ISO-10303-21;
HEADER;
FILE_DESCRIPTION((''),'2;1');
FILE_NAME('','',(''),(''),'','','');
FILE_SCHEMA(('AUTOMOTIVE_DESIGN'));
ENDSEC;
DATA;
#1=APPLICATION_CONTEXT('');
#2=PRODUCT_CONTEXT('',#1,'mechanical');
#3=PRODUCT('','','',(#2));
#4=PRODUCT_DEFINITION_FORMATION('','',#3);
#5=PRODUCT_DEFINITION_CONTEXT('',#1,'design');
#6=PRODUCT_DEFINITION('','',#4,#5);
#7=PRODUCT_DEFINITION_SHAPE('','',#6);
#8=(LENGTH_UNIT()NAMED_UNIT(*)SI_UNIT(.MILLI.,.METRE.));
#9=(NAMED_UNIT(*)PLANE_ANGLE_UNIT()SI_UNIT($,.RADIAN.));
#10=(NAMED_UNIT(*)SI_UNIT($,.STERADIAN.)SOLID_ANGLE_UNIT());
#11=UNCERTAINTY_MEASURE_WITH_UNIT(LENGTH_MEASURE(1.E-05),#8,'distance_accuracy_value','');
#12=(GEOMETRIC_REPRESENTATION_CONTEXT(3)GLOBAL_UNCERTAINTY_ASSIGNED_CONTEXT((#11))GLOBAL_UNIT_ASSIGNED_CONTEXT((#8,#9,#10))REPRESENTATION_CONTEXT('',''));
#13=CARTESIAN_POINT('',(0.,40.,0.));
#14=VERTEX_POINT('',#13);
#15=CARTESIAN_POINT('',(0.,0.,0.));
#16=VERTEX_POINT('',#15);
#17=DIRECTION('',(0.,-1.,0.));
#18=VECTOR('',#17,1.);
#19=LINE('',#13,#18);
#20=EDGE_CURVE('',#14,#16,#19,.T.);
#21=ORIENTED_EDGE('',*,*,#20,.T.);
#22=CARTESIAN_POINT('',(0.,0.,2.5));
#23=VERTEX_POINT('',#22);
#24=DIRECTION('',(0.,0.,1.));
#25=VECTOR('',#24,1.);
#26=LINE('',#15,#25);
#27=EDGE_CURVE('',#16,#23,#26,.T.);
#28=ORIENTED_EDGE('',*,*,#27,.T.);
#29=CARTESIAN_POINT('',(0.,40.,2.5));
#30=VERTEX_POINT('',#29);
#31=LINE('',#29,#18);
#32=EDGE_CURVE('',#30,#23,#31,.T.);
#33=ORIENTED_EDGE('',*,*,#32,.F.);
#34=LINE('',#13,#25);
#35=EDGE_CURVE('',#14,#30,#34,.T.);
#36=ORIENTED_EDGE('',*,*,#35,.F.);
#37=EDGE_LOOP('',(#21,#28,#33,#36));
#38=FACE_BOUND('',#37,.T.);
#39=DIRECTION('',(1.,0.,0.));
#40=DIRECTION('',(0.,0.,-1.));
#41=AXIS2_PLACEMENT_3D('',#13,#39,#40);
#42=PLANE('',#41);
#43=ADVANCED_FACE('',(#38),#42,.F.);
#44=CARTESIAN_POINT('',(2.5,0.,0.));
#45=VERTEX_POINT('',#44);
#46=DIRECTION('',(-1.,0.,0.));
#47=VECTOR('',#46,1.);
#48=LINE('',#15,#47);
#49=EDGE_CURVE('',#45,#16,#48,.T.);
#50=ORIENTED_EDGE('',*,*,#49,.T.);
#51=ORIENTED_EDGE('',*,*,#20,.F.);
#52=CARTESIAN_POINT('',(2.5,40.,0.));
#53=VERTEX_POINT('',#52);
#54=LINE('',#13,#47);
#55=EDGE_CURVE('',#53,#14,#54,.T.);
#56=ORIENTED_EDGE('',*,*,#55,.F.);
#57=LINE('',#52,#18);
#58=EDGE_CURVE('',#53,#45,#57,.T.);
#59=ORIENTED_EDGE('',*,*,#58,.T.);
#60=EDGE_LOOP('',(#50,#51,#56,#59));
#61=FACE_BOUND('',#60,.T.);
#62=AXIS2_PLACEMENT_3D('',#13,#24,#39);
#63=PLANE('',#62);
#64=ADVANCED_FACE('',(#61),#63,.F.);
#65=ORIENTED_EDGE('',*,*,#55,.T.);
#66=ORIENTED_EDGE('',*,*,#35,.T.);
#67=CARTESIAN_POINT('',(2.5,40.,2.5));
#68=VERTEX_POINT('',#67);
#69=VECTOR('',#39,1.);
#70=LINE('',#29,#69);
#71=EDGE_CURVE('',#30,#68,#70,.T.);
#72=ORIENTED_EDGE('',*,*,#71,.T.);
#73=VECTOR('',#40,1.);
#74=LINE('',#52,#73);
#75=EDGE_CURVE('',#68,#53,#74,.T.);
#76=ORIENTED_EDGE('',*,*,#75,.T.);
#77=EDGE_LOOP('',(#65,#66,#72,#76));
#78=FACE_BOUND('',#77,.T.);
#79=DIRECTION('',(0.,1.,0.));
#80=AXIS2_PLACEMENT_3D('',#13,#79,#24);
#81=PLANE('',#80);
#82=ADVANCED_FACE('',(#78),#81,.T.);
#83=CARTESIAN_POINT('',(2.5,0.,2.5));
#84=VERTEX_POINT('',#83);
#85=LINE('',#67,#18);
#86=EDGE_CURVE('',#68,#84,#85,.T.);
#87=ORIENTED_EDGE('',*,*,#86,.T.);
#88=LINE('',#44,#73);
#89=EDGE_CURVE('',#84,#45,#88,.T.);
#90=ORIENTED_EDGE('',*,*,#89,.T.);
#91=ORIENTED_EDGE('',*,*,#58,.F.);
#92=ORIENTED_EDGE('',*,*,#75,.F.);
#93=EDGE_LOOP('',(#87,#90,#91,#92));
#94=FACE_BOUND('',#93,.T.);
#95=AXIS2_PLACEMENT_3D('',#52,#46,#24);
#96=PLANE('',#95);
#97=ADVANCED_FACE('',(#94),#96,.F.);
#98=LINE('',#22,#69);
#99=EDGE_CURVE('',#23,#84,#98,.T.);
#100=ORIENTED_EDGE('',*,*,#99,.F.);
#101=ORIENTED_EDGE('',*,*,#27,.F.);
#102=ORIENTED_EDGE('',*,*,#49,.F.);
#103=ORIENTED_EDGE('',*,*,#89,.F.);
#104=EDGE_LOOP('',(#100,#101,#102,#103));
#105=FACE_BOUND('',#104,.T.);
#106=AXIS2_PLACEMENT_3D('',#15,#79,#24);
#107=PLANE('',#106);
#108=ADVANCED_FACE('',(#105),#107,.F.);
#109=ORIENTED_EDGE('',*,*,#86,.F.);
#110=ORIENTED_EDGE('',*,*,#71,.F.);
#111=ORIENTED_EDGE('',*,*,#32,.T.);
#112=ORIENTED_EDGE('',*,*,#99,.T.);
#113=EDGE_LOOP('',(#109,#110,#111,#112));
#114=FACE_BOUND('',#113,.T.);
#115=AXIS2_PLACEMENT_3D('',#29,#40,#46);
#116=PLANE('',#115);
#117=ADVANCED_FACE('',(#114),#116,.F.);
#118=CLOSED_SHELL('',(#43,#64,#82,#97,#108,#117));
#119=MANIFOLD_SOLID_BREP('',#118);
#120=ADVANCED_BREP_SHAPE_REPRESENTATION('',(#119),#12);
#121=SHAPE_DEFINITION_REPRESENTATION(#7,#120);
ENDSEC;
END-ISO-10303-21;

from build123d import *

# Parameters (mm, degrees)
SKETCH_1_W      = 2.5
SKETCH_1_H      = 2.5
EXTRUDE_1_DEPTH = 40


with BuildPart() as part:
    # 草图1 → 凸台-拉伸1 (new body)
    with BuildSketch(Plane(origin=(0, 0, 0), x_dir=(1, 0, 0), z_dir=(0, 1, 0))):
        with Locations((1.25, -1.25)):
            Rectangle(SKETCH_1_W, SKETCH_1_H)
    extrude(amount=EXTRUDE_1_DEPTH)


solid = part.part
